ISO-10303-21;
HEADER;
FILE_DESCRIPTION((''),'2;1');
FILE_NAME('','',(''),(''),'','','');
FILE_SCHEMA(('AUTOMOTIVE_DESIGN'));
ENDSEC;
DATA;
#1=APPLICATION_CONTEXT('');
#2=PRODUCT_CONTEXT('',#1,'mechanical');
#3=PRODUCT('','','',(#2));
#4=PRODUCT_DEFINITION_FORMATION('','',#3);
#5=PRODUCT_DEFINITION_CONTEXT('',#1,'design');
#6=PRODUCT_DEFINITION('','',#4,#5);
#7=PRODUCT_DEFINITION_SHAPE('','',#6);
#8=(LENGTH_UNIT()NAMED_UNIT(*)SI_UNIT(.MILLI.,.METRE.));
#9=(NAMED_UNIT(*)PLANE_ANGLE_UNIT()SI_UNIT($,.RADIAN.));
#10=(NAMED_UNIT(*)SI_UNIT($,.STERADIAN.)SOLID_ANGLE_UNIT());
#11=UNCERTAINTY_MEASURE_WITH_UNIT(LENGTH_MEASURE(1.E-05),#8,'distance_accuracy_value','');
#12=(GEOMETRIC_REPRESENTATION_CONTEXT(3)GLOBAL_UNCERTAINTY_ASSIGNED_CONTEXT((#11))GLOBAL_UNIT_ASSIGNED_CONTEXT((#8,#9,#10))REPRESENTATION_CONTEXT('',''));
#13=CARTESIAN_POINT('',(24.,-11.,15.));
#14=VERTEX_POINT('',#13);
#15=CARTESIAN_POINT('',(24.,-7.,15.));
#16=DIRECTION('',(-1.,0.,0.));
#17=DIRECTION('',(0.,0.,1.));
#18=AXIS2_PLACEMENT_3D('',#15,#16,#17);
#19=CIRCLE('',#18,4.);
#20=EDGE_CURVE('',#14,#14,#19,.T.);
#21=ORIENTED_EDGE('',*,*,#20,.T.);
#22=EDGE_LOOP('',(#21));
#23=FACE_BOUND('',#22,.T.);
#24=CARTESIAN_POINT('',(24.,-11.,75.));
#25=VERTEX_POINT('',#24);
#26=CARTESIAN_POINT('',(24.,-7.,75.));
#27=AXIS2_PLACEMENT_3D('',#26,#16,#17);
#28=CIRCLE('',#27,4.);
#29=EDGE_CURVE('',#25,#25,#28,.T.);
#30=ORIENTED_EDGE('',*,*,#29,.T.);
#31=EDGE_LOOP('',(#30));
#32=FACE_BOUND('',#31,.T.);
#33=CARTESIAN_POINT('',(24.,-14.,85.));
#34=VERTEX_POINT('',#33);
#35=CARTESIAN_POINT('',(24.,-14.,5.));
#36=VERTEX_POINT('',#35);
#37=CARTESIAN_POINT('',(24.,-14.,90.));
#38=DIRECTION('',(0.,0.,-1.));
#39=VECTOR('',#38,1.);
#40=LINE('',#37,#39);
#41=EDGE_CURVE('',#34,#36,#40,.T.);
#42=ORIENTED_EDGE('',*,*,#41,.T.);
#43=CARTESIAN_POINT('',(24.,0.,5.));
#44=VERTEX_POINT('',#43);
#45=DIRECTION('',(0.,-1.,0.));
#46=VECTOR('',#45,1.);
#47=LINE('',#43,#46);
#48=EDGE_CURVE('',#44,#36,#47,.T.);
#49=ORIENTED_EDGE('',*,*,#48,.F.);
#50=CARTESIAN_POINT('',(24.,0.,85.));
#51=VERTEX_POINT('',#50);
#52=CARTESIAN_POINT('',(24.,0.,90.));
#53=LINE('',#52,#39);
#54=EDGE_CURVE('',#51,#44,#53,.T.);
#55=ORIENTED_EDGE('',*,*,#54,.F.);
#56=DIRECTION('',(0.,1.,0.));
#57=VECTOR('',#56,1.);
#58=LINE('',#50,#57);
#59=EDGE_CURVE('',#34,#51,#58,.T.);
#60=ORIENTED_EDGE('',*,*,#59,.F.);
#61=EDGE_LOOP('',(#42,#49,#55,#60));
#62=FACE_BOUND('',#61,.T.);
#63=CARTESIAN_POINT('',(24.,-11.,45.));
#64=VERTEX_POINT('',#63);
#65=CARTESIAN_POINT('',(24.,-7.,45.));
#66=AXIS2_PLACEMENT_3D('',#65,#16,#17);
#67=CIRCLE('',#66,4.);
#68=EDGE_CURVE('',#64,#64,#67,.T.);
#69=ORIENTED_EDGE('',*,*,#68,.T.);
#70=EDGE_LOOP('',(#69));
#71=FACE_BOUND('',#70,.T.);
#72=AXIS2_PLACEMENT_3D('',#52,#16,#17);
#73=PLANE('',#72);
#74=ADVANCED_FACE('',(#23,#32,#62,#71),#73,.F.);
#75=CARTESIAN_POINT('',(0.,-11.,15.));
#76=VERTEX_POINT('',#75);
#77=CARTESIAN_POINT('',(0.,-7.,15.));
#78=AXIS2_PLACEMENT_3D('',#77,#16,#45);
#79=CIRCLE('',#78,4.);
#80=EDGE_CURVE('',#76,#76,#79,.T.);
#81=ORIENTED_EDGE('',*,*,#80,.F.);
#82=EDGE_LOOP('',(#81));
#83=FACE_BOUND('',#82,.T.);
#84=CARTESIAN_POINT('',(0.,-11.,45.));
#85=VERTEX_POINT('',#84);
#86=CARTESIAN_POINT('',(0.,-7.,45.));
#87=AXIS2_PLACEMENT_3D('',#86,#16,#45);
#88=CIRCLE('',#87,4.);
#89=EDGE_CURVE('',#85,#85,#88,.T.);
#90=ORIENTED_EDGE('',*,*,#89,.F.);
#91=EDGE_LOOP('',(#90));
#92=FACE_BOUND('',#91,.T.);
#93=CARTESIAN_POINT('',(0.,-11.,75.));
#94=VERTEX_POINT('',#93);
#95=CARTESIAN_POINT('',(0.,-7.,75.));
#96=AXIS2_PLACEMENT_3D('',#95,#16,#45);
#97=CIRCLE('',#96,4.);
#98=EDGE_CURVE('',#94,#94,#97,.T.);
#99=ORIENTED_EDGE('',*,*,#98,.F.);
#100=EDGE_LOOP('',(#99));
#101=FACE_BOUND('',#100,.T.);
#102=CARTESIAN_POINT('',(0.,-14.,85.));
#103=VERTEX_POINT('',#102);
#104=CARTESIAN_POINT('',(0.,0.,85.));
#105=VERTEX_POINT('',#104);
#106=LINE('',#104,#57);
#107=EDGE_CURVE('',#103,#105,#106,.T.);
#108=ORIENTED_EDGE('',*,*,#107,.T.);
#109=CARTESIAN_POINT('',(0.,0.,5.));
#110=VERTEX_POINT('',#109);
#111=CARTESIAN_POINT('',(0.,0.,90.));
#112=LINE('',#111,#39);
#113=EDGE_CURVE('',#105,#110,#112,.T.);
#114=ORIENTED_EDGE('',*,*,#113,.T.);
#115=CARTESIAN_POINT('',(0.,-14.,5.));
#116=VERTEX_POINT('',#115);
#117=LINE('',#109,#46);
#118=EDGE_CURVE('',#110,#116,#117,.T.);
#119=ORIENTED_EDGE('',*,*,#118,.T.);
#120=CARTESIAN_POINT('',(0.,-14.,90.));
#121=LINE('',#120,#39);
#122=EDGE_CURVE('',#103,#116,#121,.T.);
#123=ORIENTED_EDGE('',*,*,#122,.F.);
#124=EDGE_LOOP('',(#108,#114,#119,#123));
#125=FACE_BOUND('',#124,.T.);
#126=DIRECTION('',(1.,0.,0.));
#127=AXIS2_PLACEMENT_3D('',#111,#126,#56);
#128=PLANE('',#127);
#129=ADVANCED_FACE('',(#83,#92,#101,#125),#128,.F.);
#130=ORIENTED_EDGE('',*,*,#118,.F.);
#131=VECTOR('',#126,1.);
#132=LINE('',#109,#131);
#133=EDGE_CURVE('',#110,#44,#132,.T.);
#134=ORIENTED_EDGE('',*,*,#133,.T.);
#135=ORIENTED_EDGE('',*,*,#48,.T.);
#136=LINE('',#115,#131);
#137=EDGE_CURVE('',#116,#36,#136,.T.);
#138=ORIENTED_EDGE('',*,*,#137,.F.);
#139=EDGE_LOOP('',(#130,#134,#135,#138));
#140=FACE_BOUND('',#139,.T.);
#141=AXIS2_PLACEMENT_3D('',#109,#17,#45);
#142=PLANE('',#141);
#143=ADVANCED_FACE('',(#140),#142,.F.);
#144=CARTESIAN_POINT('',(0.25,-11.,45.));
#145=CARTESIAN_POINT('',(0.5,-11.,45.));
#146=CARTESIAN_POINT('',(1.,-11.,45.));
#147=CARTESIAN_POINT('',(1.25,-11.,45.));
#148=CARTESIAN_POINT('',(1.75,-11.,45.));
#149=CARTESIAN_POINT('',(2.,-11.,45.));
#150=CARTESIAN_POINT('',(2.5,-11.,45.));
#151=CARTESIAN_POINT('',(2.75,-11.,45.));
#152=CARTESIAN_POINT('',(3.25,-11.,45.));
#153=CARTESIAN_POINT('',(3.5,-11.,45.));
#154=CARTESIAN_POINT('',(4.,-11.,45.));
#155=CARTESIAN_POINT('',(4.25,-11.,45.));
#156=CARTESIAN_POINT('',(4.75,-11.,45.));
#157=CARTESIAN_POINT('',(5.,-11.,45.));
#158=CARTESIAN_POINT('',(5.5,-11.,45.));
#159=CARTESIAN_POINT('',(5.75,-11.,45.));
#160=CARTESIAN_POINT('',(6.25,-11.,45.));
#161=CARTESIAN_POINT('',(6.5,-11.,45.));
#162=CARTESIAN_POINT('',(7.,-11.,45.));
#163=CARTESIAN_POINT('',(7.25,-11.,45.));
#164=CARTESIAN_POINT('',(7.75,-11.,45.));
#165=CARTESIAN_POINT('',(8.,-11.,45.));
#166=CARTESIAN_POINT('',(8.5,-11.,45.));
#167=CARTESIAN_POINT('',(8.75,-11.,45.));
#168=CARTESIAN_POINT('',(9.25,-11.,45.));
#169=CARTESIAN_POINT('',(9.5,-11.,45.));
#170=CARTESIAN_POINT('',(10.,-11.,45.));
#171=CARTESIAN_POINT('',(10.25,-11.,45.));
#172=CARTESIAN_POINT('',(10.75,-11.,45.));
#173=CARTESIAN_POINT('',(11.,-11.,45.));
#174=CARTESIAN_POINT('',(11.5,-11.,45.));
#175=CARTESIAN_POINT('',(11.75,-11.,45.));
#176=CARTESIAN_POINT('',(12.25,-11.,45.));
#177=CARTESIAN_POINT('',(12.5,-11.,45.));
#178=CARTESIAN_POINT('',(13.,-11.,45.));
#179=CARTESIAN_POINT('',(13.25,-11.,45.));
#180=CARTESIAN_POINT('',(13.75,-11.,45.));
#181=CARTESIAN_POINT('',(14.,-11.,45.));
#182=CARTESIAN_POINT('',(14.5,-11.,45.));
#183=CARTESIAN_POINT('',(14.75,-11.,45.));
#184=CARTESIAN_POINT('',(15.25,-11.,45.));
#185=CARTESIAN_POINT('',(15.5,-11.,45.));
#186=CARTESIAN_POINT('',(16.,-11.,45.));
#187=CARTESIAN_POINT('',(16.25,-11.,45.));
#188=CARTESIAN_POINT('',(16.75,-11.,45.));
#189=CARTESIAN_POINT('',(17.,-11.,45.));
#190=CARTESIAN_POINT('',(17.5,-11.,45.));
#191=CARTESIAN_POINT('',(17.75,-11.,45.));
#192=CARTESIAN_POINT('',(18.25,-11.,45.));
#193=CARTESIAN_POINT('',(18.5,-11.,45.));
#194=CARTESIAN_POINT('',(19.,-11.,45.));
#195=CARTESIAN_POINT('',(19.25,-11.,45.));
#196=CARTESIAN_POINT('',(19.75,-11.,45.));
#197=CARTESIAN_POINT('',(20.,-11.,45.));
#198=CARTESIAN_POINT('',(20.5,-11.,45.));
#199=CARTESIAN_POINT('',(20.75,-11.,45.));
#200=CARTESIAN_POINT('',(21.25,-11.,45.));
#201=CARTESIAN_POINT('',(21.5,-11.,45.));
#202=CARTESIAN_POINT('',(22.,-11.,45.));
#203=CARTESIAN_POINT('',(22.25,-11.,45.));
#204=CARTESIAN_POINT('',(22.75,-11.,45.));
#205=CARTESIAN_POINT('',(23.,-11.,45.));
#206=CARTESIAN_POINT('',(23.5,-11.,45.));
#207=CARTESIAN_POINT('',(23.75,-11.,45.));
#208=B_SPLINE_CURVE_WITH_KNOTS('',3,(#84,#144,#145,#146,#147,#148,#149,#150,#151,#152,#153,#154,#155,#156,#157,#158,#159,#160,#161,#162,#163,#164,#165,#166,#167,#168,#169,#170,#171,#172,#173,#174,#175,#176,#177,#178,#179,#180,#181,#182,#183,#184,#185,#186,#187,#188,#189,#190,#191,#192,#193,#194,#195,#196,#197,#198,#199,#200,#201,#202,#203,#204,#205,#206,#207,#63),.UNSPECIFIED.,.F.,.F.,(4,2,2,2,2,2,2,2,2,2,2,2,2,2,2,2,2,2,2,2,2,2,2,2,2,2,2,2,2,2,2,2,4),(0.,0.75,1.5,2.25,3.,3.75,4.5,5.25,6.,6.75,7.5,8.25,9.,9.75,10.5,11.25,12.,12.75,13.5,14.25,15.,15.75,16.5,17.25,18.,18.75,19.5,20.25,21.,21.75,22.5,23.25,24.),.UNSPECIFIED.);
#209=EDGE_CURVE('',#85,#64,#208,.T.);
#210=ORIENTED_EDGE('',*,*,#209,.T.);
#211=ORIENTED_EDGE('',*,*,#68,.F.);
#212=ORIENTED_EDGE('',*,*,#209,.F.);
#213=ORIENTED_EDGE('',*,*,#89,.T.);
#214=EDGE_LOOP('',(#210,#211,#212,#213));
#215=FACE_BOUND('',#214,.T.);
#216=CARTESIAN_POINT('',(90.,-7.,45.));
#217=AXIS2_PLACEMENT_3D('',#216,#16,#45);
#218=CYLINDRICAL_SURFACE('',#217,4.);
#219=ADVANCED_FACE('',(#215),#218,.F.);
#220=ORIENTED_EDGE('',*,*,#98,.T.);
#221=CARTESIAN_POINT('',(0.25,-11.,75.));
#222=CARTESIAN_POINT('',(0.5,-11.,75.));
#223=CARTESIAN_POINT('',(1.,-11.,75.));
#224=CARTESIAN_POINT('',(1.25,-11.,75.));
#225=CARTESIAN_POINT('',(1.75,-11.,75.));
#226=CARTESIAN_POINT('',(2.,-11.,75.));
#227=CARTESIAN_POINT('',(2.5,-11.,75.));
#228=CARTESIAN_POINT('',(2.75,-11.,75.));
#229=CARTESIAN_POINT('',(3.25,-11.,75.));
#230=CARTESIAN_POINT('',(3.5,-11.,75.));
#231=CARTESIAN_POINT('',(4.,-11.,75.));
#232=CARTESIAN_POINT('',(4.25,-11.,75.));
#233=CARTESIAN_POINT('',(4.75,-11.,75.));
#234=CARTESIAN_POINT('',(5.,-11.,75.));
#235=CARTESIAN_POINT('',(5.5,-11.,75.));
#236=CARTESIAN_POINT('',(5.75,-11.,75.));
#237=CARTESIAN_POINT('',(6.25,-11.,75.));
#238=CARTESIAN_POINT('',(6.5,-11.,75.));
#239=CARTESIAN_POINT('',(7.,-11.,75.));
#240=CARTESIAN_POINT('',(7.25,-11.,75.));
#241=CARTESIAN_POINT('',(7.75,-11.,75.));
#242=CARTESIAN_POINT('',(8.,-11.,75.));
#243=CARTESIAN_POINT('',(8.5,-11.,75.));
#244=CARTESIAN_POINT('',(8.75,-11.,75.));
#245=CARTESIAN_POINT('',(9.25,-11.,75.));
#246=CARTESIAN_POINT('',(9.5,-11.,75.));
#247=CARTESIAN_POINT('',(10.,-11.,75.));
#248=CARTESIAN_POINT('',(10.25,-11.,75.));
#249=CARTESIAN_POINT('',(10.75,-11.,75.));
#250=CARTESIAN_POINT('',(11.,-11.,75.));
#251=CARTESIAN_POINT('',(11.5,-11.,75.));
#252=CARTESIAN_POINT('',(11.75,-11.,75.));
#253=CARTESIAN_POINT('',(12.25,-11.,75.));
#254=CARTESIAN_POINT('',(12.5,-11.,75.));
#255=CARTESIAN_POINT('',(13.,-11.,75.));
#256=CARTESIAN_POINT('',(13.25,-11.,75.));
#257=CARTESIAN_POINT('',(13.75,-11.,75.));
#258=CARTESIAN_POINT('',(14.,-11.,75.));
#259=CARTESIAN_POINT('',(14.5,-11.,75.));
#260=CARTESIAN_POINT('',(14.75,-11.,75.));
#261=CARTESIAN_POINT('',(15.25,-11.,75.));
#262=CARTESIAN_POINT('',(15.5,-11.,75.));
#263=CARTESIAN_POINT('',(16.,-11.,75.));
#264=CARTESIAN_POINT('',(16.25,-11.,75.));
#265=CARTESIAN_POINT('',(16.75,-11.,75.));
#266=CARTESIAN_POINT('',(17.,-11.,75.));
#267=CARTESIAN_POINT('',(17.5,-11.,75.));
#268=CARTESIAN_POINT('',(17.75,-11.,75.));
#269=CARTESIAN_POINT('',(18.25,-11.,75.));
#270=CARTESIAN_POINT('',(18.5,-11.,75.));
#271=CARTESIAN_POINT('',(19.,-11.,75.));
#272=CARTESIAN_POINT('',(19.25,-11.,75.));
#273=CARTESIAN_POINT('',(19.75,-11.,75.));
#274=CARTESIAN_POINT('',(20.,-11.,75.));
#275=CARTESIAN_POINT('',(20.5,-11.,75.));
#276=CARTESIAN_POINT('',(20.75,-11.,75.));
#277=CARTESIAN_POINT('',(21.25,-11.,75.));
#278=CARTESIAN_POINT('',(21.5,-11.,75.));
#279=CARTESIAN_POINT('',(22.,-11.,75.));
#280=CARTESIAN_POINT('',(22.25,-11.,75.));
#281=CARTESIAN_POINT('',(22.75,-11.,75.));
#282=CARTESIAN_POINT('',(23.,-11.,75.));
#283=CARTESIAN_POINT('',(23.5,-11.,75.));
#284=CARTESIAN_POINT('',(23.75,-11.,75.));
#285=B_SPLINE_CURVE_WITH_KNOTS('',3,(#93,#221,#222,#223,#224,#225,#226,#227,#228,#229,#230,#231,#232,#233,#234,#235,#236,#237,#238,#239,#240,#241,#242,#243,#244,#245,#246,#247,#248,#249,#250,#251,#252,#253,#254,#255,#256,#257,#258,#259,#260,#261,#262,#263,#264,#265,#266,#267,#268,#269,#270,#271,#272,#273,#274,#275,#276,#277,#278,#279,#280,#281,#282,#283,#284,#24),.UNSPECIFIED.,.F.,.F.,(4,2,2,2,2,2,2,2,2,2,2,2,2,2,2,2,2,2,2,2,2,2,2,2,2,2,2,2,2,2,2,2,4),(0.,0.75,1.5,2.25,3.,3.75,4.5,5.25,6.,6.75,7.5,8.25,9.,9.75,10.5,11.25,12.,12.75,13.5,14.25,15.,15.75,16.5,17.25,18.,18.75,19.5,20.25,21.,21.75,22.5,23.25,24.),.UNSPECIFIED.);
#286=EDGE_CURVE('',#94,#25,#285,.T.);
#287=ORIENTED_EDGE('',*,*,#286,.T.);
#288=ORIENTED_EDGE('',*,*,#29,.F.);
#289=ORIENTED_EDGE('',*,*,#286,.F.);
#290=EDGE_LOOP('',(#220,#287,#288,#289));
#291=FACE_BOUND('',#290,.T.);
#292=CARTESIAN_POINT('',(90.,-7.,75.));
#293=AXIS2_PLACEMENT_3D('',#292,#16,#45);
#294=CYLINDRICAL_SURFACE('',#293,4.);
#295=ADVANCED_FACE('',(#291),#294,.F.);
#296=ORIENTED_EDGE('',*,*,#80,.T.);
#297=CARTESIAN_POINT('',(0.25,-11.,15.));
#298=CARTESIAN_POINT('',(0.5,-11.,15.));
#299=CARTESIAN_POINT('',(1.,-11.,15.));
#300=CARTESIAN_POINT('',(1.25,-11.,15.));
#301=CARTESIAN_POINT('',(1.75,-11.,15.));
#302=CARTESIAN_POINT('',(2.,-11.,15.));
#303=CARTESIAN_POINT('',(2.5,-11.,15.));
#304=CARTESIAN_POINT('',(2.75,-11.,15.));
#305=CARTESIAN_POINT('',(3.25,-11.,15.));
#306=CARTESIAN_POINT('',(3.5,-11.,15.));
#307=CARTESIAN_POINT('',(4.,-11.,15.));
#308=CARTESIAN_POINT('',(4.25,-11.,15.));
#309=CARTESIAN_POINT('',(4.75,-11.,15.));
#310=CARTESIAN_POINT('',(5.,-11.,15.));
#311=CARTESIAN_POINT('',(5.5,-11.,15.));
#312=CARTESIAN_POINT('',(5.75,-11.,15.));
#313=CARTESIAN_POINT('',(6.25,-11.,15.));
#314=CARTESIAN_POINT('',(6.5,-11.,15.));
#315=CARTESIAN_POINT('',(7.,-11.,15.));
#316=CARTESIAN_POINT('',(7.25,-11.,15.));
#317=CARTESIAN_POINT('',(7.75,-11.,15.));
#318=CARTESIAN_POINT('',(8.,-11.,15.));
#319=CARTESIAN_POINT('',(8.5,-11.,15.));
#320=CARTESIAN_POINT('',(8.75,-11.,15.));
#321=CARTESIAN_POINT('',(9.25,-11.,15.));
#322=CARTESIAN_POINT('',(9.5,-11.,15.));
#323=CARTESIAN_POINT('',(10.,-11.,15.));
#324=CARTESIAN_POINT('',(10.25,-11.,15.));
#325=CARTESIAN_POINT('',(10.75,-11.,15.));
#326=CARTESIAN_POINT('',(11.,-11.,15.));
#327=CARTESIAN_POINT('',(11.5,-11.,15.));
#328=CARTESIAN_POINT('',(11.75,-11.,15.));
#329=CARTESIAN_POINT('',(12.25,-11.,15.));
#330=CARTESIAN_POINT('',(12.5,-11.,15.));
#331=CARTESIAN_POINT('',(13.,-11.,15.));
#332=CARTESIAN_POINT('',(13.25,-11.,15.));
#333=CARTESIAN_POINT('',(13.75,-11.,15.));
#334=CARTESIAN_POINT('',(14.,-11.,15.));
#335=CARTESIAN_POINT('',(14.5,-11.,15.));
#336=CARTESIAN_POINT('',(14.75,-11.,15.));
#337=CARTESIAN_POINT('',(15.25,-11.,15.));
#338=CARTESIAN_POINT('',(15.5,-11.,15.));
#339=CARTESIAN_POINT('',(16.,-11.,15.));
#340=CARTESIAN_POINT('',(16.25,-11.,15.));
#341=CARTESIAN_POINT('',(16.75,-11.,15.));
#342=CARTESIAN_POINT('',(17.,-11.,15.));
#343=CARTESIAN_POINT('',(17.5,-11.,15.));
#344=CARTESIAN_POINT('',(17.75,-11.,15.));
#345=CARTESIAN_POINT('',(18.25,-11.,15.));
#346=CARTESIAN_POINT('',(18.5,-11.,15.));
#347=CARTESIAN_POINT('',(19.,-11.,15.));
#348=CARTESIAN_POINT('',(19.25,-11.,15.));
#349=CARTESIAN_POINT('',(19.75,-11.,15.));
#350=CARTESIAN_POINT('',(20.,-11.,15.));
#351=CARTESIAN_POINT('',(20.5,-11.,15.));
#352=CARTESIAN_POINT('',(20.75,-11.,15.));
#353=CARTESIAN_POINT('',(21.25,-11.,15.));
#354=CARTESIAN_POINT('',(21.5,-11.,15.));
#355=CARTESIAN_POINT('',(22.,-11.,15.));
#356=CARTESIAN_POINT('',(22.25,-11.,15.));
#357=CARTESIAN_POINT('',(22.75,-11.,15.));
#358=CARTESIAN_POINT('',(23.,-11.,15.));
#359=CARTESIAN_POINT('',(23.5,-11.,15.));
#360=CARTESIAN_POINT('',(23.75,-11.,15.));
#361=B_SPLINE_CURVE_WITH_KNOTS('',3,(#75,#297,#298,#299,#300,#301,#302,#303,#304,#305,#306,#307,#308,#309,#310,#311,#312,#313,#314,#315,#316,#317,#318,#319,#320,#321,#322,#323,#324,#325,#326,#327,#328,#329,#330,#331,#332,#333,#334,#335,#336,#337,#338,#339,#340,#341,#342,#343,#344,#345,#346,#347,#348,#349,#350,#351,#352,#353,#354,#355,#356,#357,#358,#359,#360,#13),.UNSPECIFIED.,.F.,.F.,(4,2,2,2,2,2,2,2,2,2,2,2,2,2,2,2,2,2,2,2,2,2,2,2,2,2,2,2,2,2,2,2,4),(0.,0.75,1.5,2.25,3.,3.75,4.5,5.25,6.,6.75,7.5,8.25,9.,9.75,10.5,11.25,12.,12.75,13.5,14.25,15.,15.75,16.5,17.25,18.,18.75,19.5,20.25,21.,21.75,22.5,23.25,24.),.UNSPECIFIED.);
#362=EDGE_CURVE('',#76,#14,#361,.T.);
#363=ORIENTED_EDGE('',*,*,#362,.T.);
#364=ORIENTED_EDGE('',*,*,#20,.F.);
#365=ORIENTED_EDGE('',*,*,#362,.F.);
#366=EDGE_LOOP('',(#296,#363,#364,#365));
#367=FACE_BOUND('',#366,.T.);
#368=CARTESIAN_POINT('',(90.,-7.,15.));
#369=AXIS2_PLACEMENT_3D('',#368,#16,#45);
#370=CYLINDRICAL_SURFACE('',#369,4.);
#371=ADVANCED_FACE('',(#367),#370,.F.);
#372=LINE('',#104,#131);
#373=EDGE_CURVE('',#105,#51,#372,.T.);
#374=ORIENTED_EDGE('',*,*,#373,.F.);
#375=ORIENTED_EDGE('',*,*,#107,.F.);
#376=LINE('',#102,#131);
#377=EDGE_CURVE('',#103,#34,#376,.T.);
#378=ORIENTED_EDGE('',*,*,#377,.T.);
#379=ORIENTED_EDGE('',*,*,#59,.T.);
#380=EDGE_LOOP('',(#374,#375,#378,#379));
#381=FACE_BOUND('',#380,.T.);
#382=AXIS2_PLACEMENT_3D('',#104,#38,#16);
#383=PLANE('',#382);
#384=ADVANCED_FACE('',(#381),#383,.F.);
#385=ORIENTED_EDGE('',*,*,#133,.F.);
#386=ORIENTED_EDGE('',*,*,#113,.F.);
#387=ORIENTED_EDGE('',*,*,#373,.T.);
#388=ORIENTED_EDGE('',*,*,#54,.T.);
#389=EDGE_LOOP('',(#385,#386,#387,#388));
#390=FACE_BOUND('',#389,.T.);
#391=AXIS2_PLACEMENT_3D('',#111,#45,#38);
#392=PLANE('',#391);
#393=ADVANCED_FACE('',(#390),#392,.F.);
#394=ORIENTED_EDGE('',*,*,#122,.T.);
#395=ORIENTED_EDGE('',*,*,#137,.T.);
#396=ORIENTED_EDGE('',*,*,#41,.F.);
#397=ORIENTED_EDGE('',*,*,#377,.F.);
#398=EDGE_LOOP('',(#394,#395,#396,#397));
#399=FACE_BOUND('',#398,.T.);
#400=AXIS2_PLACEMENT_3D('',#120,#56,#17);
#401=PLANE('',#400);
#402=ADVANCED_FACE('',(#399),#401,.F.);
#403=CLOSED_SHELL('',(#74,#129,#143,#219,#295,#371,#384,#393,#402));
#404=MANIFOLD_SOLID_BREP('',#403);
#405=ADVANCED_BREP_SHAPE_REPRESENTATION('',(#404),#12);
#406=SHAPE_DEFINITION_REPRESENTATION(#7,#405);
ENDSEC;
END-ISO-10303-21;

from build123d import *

# Parameters (mm, degrees)
SKETCH_1_W          = 24
SKETCH_1_H          = 14
EXTRUDE_1_DEPTH     = 90
SKETCH_2_R          = 4
CUT_EXTRUDE_1_DEPTH = 90
SKETCH_3_W          = 5
SKETCH_3_H          = 14
CUT_EXTRUDE_2_DEPTH = 95.191294715


with BuildPart() as part:
    # 草图1 → 拉伸1 (new body)
    with BuildSketch(Plane.XY):
        with Locations((12, -7)):
            Rectangle(SKETCH_1_W, SKETCH_1_H)
    extrude(amount=EXTRUDE_1_DEPTH)

    # 草图2 → 切除-拉伸1 (cut)
    with BuildSketch(Plane.ZY):
        with Locations(Location((15, -7, 0), (0, 0, 270))):
            Circle(SKETCH_2_R)
        with Locations(Location((45, -7, 0), (0, 0, 270))):
            Circle(SKETCH_2_R)
        with Locations(Location((75, -7, 0), (0, 0, 270))):
            Circle(SKETCH_2_R)
    extrude(amount=-CUT_EXTRUDE_1_DEPTH, mode=Mode.SUBTRACT)

    # 草图3 → 切除-拉伸2 (cut, through all)
    with BuildSketch(Plane(origin=(24, 0, 0), x_dir=(0, 0, -1), z_dir=(1, 0, 0))):
        with Locations((-87.5, -7)):
            Rectangle(SKETCH_3_W, SKETCH_3_H)
        with Locations((-2.5, -7)):
            Rectangle(SKETCH_3_W, SKETCH_3_H)
    extrude(amount=-CUT_EXTRUDE_2_DEPTH, mode=Mode.SUBTRACT)


solid = part.part
